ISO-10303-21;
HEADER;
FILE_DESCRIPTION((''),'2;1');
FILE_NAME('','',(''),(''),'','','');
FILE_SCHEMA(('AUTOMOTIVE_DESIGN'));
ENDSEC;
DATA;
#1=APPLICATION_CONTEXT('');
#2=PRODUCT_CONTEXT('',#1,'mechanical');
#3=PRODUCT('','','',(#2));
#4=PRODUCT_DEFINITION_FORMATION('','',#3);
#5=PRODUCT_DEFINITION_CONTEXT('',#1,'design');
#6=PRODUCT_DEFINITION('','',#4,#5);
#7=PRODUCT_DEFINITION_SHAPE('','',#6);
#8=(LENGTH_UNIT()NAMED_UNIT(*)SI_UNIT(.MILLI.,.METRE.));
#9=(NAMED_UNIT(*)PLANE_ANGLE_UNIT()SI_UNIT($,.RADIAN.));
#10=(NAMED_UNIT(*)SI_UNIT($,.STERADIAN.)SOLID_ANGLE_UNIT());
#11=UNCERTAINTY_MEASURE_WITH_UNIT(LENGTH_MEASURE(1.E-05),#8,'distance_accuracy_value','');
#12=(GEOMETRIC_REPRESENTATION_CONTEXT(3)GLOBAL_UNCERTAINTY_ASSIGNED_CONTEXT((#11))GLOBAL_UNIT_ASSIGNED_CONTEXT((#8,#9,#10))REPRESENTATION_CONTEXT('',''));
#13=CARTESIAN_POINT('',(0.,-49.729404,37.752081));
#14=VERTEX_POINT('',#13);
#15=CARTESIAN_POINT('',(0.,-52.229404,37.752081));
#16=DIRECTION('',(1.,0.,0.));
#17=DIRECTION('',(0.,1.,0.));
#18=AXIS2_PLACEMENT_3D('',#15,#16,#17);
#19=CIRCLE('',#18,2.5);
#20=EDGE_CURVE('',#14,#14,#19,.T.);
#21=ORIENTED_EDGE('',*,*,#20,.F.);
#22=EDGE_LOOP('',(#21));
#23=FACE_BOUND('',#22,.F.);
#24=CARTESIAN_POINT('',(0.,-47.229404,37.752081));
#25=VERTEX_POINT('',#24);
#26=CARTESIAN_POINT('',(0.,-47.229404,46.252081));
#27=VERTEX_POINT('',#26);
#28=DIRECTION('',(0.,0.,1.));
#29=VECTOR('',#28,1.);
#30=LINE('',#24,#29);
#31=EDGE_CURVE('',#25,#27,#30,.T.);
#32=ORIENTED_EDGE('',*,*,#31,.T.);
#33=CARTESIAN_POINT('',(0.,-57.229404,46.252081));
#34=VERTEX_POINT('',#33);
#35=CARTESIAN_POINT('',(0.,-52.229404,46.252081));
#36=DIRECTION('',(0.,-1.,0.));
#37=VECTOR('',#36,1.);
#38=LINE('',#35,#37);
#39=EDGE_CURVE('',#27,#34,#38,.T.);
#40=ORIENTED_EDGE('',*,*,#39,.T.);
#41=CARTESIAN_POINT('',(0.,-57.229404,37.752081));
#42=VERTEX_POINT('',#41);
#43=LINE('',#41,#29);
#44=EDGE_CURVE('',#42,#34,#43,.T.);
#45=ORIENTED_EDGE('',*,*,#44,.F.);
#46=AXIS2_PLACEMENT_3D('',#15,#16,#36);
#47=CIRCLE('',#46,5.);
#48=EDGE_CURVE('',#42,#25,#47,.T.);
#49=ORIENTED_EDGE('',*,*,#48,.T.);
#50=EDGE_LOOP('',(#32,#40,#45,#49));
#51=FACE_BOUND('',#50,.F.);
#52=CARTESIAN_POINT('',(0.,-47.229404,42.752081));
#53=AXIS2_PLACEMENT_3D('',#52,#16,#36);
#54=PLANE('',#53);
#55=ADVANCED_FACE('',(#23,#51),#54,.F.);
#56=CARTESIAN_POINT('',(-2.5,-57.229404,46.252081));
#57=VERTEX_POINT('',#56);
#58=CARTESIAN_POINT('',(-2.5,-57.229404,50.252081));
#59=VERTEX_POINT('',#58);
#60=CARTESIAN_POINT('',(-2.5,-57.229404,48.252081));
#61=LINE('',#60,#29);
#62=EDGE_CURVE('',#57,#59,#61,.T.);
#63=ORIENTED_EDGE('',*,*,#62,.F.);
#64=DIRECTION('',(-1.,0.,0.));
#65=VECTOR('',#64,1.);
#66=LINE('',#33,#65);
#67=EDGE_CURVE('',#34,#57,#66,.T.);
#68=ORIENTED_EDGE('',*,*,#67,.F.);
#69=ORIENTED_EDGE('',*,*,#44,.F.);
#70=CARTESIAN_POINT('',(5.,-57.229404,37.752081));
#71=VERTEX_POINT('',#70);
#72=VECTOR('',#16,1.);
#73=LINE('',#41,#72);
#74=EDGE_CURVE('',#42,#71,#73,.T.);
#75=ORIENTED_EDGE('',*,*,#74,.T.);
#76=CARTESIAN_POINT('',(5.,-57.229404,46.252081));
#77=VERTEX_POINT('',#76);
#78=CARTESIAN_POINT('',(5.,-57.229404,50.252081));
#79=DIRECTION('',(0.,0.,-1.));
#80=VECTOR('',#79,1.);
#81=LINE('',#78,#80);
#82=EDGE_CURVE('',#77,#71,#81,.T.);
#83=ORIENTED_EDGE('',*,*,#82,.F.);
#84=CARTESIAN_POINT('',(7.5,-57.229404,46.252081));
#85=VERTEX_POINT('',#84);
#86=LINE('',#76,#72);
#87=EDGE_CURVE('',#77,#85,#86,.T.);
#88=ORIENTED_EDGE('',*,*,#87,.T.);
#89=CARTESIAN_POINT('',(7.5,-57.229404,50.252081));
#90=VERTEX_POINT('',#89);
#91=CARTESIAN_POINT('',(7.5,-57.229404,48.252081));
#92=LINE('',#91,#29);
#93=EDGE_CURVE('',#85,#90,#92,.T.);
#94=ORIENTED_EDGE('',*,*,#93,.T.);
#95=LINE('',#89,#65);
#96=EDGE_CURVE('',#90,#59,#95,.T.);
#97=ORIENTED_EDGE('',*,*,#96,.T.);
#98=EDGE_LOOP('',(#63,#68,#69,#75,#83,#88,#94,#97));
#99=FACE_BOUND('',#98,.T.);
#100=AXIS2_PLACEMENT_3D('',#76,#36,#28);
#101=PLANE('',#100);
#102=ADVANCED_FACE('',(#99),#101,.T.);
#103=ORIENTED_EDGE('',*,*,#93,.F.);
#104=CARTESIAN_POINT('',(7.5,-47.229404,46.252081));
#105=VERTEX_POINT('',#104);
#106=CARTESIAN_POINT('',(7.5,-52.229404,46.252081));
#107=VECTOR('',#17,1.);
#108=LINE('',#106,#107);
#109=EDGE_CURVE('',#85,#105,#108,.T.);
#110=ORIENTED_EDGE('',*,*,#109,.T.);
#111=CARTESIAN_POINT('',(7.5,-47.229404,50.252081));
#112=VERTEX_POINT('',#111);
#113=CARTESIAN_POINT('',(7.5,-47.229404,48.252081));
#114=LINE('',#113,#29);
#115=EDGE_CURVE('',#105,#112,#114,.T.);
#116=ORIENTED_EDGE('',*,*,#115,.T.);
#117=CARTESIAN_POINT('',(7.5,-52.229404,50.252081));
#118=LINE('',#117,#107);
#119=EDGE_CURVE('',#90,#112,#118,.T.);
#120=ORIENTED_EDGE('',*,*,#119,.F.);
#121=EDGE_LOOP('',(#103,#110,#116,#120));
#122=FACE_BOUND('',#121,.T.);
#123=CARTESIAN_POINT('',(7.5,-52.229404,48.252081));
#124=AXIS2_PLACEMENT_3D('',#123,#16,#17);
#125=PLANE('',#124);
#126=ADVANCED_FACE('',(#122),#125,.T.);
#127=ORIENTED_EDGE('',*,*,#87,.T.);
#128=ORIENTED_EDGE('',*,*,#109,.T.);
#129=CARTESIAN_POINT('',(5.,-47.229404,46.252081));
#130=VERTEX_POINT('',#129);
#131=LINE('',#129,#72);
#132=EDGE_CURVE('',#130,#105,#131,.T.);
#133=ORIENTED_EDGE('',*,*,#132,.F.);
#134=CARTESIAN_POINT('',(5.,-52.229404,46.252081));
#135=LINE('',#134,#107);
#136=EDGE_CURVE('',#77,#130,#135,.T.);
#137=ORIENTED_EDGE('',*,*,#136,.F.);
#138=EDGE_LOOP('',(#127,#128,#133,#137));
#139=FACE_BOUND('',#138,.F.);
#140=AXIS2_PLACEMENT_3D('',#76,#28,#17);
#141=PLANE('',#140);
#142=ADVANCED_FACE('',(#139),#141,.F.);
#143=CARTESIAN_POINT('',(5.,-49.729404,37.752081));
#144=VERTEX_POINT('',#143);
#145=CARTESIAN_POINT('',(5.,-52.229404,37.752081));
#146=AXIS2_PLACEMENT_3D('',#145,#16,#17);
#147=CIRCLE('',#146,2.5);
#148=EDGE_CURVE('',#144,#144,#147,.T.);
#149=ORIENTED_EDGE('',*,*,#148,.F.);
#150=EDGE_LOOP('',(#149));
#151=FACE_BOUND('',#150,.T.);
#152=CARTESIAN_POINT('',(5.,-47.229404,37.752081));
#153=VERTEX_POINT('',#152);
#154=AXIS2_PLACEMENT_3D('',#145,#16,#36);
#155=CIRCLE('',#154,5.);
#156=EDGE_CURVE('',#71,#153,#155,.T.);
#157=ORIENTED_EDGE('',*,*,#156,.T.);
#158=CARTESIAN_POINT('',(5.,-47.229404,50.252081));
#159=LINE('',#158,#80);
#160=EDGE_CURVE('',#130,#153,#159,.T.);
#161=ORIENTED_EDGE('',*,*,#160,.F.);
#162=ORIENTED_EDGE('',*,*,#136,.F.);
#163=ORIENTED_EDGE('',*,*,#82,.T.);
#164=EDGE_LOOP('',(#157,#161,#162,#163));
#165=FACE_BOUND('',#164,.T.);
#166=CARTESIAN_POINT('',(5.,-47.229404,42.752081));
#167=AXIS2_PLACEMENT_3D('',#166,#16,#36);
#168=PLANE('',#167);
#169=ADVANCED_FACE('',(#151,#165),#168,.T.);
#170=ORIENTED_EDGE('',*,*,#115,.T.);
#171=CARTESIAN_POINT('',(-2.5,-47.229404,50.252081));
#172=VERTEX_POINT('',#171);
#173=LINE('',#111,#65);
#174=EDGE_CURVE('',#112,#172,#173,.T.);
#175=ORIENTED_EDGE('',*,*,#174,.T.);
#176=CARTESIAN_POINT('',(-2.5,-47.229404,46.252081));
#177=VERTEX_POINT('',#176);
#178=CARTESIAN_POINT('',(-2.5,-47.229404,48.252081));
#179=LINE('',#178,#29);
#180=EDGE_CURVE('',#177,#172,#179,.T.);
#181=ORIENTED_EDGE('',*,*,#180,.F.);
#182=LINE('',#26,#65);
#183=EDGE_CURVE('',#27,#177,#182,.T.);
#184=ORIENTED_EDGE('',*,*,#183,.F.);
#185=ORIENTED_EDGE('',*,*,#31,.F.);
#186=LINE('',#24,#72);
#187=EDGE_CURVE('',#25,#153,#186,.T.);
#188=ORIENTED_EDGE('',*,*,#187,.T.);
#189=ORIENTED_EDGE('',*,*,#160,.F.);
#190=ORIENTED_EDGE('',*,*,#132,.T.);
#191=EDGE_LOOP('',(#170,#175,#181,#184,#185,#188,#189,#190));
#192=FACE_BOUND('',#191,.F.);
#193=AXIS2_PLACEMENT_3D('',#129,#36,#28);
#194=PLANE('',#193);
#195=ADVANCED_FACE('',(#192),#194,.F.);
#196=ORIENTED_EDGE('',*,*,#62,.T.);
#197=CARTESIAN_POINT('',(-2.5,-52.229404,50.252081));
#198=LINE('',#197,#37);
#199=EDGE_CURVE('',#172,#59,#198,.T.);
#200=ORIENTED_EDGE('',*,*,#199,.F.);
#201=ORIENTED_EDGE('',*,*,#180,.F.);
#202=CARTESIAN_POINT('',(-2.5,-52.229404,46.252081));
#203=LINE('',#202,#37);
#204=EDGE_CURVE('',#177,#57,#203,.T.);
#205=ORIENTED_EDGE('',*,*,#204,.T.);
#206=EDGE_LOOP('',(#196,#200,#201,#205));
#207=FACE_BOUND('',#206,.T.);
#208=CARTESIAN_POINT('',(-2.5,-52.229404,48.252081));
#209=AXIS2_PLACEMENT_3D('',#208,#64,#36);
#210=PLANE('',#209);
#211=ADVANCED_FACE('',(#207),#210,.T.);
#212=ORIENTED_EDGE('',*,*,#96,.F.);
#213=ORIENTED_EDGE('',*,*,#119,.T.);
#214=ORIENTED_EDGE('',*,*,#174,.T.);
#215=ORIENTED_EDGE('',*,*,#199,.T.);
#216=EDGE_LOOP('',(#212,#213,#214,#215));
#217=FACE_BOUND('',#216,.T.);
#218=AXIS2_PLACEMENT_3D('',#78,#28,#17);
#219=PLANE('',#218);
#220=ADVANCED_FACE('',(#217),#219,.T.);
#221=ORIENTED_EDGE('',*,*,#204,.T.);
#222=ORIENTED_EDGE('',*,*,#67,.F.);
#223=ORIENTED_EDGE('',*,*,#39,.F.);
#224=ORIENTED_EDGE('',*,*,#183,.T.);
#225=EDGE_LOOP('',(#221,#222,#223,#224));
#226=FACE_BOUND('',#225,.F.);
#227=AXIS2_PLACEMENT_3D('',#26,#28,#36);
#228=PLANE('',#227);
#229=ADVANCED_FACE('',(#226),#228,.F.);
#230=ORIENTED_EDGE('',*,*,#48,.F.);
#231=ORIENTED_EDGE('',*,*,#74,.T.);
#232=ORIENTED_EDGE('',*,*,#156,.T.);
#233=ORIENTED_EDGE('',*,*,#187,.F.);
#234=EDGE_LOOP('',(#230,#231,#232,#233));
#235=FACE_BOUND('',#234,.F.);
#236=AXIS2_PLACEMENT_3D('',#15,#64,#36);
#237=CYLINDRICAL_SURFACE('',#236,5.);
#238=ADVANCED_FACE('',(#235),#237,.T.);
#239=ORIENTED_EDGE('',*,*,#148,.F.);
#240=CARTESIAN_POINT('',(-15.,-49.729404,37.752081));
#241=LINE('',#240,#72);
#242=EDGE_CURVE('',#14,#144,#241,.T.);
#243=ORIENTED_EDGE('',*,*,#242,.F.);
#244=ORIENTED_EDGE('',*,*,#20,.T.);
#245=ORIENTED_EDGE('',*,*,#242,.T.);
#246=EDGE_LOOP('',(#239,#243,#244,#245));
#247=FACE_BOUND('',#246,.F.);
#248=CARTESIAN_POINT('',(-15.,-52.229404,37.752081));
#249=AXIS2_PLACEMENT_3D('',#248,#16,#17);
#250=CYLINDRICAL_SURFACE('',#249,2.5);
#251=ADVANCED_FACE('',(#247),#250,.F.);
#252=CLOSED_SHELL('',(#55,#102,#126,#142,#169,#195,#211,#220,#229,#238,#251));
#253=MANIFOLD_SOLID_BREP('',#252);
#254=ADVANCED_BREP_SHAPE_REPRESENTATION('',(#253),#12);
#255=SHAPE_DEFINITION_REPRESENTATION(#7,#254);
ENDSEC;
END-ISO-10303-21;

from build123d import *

# Parameters (mm, degrees)
F1_DEPTH = 5
F3_D     = 5
F4_DEPTH = 7.5
F5_W     = 10
F5_H     = 4
F6_DEPTH = 2.5
F7_W     = 10
F7_H     = 4
F8_DEPTH = 2.5


with BuildPart() as f1:
    # F0 (on Right) → F1 (new body)
    with BuildSketch(Plane.YZ):
        with BuildLine():
            Line((-57.2294044495, 42.7520807087), (-57.2294044495, 37.7520807087))
            ThreePointArc((-57.2294044495, 37.7520807087), (-52.2294044495, 32.7520807087), (-47.2294044495, 37.7520807087))
            Line((-47.2294044495, 37.7520807087), (-47.2294044495, 42.7520807087))
            Line((-47.2294044495, 42.7520807087), (-57.2294044495, 42.7520807087))
        make_face()
    extrude(amount=F1_DEPTH)

    # F3 (through all)
    with Locations(Plane(origin=(0, 0, 0), x_dir=(0, -1, 0), z_dir=(-1, 0, 0))):
        with Locations((52.2294044495, 37.7520807087)):
            Hole(F3_D / 2)

    # F4 (add): a face of the model
    f4_faces = [f1.faces().sort_by_distance(p)[0] for p in [
        (2.5, -52.2294044495, 42.7520807087),
    ]]
    extrude(f4_faces, amount=F4_DEPTH)

    # F5 (on face) → F6 (join)
    with BuildSketch(Plane(origin=(0, 0, 0), x_dir=(0, -1, 0), z_dir=(-1, 0, 0))):
        with Locations((52.2294044495, 48.2520807087)):
            Rectangle(F5_W, F5_H)
    extrude(amount=F6_DEPTH)

    # F7 (on face) → F8 (join)
    with BuildSketch(Plane.YZ.offset(5)):
        with Locations((-52.2294044495, 48.2520807087)):
            Rectangle(F7_W, F7_H)
    extrude(amount=F8_DEPTH)


solid = f1.part
